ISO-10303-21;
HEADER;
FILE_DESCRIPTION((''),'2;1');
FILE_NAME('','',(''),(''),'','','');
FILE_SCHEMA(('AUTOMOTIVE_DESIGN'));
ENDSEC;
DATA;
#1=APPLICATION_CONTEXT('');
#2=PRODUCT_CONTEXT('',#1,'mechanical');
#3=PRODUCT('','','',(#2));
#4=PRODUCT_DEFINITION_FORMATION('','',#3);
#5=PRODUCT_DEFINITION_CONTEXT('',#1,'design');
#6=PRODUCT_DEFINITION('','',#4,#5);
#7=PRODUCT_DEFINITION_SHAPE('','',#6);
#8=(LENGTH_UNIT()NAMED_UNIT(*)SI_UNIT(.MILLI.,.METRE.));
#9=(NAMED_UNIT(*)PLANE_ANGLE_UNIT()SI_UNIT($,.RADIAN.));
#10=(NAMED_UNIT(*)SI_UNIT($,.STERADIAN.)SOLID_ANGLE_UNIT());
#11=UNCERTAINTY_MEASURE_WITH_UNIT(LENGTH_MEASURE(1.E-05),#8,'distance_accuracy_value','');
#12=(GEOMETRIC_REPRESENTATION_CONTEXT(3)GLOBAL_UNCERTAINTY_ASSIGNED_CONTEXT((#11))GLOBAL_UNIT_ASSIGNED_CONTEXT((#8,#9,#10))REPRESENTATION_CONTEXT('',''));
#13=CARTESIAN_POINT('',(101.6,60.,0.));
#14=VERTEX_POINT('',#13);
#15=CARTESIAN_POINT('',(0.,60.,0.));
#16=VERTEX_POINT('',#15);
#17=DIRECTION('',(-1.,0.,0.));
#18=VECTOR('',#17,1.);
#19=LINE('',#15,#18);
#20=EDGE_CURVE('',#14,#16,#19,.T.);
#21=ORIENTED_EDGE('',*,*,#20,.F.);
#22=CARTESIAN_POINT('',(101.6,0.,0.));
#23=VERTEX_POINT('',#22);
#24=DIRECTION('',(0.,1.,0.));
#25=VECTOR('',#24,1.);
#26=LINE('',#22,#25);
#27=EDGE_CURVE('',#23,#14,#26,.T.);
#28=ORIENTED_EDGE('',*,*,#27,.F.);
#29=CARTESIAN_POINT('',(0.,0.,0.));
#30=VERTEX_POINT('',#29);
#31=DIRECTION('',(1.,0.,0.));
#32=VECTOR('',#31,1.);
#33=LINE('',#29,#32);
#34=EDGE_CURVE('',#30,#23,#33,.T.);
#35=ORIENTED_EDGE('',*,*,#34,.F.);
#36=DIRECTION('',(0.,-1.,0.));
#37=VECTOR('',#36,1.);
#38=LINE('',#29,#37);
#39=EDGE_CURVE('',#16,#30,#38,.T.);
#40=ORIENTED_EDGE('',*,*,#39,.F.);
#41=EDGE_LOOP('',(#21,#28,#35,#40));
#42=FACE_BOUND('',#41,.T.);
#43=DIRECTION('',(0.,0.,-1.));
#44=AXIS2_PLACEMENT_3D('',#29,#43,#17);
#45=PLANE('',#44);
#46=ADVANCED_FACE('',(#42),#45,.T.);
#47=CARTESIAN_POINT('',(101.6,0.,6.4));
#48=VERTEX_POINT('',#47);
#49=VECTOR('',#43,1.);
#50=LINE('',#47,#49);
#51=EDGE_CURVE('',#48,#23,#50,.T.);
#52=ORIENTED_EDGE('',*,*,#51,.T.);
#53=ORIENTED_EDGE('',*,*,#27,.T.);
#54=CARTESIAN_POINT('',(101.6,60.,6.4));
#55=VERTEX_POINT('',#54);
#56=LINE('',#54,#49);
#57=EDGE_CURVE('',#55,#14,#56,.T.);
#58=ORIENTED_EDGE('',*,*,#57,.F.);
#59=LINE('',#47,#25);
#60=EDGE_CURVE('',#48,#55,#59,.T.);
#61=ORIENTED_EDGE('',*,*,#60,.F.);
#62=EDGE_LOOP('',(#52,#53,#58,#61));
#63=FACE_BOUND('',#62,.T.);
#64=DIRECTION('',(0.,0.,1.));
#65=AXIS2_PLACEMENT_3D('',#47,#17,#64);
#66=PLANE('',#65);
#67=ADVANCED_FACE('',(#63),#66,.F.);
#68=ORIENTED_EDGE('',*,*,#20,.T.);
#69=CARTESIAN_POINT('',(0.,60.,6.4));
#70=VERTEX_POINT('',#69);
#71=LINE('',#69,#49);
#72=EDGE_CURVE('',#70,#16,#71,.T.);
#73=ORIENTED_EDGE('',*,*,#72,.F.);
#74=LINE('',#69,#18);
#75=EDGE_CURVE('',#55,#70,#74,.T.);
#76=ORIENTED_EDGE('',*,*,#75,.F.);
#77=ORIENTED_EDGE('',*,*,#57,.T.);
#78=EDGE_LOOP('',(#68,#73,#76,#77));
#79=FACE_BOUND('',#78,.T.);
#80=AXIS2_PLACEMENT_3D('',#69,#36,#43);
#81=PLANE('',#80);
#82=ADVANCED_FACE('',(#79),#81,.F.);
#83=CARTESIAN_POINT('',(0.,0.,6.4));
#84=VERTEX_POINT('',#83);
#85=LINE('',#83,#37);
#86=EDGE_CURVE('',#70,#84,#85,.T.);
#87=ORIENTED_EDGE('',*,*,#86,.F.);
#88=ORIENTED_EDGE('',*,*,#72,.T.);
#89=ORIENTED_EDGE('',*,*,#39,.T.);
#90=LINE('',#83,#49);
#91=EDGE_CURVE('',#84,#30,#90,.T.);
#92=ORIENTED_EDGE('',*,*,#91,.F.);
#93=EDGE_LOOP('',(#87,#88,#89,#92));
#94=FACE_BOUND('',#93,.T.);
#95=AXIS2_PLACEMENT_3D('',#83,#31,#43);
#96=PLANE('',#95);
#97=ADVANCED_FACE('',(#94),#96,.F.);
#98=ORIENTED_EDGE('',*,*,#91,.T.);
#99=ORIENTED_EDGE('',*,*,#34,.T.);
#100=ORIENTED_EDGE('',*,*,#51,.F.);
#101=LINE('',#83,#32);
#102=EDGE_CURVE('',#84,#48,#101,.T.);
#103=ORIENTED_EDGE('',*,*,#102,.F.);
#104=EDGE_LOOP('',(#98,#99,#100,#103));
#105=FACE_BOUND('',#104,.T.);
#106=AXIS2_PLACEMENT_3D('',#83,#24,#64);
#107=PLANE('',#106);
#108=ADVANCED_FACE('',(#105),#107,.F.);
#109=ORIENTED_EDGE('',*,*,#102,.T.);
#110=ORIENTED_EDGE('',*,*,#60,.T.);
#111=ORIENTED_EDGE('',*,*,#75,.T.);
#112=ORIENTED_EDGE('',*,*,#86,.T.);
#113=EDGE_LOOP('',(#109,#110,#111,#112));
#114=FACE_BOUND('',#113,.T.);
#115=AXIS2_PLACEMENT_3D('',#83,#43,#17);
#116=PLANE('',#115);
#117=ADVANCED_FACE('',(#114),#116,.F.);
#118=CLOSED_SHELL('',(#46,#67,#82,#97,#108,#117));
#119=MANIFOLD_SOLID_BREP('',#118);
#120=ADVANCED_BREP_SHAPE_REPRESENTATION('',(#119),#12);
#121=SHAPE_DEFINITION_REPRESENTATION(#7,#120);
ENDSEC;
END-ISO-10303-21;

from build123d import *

# Parameters (mm, degrees)
CROQUIS1_W              = 101.6
CROQUIS1_H              = 60
SALIENTE_EXTRUIR1_DEPTH = 6.4


with BuildPart() as part:
    # Croquis1 → Saliente-Extruir1 (new body)
    with BuildSketch(Plane.XY):
        with Locations((50.8, 30)):
            Rectangle(CROQUIS1_W, CROQUIS1_H)
    extrude(amount=SALIENTE_EXTRUIR1_DEPTH)


solid = part.part
